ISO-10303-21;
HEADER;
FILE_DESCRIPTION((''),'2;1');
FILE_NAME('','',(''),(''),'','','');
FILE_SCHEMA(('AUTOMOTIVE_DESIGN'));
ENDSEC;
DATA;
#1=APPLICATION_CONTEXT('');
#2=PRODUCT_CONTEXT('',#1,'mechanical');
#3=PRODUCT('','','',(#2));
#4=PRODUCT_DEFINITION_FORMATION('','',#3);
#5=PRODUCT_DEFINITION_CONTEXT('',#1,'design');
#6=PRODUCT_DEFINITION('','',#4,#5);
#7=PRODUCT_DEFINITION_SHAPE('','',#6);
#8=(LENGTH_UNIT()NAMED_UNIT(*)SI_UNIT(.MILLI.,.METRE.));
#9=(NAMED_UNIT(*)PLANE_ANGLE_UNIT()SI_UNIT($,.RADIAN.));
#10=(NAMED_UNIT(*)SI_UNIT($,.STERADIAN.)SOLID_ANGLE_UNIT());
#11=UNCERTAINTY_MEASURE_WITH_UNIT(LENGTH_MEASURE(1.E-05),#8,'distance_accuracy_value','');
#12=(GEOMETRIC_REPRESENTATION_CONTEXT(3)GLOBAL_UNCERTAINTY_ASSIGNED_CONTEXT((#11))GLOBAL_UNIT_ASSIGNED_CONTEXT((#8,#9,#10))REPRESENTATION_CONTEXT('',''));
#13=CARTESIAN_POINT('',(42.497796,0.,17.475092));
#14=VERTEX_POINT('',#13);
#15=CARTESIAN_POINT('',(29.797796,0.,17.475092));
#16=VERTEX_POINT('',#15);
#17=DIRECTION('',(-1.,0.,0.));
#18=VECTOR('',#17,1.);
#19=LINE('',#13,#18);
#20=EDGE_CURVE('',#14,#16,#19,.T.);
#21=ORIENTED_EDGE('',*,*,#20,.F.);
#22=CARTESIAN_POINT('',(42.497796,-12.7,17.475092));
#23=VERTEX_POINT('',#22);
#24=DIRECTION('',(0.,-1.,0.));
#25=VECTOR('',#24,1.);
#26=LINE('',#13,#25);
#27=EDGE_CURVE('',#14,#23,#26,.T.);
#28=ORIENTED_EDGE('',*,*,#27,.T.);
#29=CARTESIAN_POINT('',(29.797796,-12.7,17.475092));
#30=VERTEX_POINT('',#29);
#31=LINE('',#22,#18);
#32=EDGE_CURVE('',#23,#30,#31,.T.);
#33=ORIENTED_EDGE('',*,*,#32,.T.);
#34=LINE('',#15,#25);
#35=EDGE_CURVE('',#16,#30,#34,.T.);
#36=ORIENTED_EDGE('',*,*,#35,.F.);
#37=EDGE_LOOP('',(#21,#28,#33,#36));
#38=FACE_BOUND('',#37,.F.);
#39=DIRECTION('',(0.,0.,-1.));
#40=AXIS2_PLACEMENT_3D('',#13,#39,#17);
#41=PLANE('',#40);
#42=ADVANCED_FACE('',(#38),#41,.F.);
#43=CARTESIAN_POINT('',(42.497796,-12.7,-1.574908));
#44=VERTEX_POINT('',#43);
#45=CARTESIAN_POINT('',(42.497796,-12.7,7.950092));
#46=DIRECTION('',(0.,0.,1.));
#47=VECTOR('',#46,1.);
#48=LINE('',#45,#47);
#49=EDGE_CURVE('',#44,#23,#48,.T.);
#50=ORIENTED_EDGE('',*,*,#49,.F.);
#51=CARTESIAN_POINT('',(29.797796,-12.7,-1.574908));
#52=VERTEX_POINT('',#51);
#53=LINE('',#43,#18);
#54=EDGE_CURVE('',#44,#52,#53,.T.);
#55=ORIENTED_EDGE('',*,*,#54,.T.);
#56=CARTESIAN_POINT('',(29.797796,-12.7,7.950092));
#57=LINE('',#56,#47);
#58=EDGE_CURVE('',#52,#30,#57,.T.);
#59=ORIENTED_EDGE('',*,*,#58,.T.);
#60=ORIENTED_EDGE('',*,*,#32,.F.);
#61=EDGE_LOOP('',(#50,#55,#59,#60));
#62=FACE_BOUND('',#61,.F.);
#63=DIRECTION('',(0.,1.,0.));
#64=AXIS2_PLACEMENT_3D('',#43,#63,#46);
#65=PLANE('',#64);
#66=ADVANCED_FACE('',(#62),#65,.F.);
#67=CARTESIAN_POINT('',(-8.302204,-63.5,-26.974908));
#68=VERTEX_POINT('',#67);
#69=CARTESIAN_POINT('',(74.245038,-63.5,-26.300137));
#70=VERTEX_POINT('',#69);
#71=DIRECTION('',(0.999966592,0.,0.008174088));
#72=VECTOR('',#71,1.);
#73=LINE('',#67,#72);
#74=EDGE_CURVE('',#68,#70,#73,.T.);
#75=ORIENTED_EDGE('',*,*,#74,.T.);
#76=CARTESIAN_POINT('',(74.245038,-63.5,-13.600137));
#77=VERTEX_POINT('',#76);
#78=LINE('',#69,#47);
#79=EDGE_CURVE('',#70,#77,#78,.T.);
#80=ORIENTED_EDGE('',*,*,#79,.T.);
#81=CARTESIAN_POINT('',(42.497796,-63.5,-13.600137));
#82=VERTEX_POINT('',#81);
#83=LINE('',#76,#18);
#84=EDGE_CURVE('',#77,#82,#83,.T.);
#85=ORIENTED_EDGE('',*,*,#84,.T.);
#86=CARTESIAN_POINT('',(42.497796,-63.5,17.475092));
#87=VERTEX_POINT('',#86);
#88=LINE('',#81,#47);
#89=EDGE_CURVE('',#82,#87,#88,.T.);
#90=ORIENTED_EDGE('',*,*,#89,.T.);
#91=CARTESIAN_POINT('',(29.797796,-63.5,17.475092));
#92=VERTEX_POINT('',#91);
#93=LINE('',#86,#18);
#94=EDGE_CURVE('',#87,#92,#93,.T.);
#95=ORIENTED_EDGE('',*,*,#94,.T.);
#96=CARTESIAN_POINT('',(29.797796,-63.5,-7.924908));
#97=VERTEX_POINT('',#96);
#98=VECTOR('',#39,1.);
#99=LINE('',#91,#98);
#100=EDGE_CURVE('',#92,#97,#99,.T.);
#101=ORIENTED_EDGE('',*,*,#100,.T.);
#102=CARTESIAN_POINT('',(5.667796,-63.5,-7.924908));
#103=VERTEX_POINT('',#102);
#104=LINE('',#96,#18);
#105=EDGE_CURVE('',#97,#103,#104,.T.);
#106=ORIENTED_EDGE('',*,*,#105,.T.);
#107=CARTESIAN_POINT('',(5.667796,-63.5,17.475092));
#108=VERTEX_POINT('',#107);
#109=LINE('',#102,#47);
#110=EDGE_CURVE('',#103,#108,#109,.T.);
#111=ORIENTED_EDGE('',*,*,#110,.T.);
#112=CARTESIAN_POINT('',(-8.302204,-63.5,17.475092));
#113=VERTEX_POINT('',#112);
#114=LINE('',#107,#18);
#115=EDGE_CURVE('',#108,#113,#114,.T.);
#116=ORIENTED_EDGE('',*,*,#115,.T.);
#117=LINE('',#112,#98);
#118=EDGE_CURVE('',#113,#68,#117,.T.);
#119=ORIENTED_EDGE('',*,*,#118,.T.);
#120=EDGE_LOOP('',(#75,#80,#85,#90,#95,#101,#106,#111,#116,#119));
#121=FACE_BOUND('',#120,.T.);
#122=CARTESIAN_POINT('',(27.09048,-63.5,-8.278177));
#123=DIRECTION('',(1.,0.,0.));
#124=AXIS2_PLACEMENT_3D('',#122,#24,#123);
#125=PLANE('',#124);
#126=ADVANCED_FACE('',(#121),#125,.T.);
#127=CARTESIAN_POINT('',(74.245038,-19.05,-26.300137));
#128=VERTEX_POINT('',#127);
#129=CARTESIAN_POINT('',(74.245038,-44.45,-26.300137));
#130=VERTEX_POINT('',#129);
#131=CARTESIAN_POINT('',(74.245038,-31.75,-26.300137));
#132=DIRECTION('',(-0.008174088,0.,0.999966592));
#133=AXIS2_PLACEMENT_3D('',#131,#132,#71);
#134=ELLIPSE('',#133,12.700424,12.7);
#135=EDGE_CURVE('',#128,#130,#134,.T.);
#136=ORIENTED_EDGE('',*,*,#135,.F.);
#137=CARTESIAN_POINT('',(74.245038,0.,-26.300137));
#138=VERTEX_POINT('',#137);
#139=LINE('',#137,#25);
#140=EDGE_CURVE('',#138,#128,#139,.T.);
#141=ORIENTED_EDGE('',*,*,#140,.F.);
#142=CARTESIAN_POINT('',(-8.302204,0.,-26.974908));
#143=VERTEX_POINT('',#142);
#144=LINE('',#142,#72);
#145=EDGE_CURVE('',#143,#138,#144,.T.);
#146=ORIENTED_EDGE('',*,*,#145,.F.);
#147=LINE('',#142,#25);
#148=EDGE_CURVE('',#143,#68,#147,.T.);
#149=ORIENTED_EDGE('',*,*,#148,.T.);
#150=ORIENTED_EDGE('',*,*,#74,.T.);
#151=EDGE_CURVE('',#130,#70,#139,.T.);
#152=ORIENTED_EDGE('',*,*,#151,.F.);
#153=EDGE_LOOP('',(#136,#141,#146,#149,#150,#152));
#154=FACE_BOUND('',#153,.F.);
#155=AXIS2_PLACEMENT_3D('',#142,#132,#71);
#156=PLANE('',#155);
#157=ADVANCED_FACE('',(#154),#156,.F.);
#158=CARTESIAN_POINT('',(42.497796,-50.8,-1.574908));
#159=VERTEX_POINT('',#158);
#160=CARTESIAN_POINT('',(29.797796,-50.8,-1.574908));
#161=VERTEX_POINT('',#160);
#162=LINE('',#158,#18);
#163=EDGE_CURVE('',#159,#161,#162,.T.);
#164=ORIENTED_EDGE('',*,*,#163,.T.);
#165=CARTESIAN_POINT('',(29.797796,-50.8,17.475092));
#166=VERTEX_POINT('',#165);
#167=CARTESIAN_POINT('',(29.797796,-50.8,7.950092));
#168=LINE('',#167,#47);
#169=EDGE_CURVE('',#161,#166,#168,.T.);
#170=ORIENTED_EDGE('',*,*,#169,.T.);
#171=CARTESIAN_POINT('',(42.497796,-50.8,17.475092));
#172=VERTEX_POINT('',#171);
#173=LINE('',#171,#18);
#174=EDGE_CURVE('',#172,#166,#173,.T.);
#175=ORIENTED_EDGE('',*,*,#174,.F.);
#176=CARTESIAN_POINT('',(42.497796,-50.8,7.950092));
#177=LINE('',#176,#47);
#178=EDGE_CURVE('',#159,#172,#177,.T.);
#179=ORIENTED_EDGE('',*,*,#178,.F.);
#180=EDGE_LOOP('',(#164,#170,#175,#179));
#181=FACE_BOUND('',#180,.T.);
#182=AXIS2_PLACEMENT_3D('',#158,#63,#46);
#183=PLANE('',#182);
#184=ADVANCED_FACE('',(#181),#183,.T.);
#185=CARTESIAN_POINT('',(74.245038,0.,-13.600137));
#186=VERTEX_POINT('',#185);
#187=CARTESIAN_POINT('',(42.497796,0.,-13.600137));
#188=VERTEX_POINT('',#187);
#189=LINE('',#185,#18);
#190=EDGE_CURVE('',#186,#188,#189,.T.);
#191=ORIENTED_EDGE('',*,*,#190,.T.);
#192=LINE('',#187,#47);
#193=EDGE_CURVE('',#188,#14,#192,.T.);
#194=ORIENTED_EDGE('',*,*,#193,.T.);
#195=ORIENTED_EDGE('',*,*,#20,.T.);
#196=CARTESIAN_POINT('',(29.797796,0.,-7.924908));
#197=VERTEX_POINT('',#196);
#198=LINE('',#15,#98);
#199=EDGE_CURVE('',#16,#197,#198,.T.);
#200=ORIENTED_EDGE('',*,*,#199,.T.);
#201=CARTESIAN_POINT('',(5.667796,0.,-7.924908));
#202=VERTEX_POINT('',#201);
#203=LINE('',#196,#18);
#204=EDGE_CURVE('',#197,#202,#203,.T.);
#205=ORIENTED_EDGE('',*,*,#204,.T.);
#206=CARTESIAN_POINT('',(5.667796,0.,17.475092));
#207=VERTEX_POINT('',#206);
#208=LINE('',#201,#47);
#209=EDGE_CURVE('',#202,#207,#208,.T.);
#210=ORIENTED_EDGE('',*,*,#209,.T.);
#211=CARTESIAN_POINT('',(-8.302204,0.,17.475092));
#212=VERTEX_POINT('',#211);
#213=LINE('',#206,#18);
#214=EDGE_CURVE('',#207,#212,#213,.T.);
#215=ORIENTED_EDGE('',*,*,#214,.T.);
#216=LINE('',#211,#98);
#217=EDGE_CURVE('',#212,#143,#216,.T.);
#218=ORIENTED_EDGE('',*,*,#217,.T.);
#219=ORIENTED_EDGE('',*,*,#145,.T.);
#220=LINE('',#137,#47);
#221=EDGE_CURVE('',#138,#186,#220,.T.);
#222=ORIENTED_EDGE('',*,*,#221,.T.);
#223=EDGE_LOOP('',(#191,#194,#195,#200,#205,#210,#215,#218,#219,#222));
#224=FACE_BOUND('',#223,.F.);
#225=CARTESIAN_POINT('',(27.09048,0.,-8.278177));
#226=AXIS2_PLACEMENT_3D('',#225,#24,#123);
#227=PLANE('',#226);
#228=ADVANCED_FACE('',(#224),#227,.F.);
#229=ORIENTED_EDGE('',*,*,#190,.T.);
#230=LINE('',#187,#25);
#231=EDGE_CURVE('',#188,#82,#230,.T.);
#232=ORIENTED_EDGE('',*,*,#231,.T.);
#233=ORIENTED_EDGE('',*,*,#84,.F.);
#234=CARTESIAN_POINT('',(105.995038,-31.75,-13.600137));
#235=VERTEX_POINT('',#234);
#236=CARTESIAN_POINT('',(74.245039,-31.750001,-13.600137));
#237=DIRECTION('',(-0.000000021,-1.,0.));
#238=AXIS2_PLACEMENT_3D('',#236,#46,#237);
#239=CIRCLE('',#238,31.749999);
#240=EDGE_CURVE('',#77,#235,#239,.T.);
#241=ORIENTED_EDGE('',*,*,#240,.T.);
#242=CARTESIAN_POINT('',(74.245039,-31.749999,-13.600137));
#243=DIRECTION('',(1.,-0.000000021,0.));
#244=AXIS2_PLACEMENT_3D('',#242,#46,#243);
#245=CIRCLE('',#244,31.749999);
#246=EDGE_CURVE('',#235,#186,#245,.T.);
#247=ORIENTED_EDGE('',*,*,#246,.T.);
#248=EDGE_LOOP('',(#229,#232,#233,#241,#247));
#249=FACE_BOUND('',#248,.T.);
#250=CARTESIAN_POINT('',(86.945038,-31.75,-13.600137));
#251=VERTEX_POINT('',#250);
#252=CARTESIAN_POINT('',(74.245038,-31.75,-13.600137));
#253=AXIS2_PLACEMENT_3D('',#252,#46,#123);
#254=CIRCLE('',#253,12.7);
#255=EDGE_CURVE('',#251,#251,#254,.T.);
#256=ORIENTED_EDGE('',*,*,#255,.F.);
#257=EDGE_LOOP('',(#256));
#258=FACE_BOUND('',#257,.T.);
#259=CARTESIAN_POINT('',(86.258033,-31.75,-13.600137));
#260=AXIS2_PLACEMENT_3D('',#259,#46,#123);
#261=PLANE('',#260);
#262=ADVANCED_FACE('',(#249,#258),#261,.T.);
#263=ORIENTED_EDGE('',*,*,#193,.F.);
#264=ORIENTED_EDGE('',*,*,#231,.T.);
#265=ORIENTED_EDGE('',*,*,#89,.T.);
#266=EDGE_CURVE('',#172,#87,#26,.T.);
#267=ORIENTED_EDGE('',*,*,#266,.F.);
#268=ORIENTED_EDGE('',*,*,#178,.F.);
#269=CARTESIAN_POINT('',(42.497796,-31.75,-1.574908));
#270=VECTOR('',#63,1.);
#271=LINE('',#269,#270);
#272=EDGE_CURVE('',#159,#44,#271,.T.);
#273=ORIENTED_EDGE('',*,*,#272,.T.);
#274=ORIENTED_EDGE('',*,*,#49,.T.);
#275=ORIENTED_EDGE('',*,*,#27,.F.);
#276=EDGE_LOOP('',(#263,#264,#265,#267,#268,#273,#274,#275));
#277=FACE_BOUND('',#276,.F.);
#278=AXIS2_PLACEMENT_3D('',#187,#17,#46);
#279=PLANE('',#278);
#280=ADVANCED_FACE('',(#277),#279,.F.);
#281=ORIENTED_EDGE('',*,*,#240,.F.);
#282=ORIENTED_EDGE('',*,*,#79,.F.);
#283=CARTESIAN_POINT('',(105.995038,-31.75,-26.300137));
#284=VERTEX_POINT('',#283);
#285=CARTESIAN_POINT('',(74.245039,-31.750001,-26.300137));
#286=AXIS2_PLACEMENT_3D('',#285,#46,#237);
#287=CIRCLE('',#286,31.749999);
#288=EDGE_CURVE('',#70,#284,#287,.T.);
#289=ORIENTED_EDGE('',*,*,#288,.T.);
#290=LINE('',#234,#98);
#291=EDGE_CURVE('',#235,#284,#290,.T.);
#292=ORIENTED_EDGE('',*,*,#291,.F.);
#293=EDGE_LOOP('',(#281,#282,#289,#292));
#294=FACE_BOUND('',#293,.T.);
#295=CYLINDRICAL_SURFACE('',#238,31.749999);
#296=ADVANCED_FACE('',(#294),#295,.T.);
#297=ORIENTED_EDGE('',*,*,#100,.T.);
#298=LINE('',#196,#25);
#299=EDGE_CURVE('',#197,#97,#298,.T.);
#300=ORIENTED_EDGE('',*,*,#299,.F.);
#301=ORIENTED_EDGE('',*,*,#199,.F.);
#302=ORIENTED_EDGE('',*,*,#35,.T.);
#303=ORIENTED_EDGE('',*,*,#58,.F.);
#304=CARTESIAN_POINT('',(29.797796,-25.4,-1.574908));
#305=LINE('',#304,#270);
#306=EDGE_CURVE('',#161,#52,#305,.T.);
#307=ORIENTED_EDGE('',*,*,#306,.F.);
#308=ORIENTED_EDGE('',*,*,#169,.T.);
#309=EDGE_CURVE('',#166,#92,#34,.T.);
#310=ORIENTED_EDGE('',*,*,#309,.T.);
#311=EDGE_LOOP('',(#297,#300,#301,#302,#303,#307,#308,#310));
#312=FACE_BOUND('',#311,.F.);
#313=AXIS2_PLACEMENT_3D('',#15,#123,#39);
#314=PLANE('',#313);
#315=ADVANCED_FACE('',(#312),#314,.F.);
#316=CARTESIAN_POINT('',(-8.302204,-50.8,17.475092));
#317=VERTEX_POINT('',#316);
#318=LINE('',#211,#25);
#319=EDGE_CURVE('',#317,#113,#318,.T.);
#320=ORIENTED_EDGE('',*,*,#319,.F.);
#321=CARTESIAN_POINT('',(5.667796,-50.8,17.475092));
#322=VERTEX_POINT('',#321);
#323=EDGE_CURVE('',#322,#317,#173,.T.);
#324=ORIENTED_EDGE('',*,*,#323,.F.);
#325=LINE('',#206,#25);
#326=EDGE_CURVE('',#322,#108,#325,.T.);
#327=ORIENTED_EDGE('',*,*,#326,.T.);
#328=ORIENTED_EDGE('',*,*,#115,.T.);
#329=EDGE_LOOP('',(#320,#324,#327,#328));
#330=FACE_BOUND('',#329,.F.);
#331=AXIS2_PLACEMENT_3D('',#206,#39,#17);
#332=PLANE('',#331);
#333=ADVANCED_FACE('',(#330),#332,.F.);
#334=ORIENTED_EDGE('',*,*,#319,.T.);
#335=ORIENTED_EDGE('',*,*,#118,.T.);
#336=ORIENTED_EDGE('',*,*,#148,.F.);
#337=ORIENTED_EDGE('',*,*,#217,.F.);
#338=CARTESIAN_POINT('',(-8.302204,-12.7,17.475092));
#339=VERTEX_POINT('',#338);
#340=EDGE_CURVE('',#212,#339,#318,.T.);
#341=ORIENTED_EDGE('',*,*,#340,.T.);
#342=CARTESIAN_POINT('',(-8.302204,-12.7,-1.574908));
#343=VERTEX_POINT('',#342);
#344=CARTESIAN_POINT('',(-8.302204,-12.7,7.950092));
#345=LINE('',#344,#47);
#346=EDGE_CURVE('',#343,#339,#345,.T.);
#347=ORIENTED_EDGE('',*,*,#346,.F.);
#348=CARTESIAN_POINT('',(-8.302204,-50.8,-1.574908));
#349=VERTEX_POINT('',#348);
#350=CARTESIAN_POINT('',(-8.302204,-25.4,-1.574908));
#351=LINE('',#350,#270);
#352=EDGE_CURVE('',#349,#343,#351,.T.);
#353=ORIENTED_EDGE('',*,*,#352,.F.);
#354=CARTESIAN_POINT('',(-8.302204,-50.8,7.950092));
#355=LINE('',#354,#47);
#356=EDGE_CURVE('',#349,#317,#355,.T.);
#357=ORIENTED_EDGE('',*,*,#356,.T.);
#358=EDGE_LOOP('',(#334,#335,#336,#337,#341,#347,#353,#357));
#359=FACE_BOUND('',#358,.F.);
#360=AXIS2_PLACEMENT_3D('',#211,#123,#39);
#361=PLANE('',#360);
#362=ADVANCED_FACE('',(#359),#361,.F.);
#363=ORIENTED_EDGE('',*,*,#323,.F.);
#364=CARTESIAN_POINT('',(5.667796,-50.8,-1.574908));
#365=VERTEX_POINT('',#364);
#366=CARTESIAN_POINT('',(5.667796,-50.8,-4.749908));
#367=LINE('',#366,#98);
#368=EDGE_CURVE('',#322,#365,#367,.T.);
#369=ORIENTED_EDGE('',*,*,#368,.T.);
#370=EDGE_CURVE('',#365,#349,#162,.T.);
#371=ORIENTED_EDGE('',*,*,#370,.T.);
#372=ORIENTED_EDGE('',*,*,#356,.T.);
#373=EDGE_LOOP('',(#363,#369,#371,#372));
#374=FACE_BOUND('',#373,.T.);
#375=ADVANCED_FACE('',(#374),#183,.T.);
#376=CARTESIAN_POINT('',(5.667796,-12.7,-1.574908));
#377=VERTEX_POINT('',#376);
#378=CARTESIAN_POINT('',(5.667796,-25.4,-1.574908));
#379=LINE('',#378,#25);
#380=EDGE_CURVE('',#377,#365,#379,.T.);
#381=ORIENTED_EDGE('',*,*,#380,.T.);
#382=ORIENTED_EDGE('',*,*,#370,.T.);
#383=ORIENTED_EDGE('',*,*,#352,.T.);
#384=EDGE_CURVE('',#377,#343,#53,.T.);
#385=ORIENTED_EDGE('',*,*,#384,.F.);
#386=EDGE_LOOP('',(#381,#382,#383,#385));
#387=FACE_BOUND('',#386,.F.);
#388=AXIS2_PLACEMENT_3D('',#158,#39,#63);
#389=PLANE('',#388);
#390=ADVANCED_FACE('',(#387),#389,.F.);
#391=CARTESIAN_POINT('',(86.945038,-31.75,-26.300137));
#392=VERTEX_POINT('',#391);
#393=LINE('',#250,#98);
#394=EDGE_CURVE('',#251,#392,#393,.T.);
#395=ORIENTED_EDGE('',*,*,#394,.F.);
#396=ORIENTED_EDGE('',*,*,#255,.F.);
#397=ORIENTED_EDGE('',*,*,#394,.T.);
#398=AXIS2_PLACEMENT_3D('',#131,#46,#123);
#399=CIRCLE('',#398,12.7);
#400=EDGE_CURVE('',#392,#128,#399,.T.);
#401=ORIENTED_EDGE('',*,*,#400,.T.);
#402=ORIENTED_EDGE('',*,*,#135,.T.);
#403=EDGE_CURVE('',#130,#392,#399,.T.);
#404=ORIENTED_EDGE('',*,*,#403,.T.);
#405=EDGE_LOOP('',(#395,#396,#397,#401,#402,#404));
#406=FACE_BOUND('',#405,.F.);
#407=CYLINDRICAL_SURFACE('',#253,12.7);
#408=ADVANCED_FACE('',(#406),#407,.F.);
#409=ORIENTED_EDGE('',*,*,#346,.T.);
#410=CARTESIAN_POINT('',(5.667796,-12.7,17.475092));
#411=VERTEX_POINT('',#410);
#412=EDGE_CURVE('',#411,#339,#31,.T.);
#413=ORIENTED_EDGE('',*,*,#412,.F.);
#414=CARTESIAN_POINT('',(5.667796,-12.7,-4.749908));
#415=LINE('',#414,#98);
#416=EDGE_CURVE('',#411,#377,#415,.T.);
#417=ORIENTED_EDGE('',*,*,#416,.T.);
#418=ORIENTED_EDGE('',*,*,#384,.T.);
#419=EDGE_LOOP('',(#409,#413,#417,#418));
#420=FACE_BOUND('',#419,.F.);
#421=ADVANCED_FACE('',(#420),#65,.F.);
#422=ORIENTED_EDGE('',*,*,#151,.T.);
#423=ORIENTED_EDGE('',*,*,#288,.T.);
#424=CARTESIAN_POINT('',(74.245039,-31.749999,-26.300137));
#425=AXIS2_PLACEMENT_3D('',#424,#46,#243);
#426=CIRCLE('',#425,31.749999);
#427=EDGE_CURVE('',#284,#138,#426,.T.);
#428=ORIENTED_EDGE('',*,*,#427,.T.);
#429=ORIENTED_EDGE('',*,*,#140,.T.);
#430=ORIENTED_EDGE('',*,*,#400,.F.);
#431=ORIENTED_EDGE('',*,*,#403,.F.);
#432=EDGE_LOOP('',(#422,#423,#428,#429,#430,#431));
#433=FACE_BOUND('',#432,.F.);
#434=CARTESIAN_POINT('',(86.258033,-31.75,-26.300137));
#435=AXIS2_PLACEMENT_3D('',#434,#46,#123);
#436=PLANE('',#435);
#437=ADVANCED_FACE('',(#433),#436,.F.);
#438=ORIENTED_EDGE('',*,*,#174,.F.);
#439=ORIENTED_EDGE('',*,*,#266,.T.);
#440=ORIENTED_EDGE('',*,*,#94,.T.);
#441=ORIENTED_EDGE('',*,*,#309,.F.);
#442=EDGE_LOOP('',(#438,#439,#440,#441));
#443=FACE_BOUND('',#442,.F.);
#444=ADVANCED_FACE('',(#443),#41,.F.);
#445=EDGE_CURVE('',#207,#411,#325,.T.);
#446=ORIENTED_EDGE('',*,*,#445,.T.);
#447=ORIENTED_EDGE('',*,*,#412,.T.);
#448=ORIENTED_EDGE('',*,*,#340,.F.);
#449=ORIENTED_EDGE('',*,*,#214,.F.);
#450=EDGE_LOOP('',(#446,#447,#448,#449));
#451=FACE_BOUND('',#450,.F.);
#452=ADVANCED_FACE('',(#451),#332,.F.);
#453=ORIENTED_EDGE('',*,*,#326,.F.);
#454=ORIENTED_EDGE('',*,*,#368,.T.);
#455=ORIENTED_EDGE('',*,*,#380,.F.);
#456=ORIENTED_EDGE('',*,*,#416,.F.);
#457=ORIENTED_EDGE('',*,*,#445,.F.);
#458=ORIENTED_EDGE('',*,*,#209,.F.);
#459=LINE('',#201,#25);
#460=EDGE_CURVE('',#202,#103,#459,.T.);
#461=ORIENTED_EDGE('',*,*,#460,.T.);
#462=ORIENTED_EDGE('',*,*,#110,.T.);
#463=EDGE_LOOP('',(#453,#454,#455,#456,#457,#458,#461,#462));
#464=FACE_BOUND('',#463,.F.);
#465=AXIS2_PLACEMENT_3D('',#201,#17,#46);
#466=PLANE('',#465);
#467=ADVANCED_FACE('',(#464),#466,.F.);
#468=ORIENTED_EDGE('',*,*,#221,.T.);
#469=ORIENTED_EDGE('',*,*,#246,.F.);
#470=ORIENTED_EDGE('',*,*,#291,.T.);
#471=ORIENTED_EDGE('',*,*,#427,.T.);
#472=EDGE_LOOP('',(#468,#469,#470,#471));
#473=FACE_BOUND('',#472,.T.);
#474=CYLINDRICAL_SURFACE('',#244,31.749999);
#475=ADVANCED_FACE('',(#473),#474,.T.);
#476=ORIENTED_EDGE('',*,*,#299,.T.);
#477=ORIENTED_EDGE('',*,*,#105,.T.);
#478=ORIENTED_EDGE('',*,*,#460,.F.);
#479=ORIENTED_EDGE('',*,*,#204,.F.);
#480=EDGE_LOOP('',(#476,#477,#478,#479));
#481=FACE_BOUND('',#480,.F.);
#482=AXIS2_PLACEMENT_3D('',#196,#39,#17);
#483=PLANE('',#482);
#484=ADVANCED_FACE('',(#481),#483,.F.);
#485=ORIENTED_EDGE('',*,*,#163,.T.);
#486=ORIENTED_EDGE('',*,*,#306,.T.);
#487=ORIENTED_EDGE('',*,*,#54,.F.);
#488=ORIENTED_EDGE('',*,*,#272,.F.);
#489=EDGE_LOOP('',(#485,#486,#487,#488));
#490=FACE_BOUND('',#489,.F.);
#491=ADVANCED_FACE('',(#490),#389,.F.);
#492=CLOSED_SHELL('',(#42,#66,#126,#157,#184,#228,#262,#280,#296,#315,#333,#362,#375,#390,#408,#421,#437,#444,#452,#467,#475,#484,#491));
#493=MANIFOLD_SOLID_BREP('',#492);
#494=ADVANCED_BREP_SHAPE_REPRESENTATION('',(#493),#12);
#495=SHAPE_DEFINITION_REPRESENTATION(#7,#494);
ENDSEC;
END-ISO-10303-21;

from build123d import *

# Parameters (mm, degrees)
F1_DEPTH = 63.5
F3_DEPTH = 12.7
F4_R     = 12.7
F6_DEPTH = 25.4
F5_W     = 38.1
F5_H     = 19.05
F7_DEPTH = 50.801


with BuildPart() as f1:
    # F0 (on Front) → F1 (new body)
    with BuildSketch(Plane.XZ):
        Polygon((5.667796, 17.475092), (-8.302204, 17.475092), (-8.302204, -26.974908), (74.245038, -26.300137), (74.245038, -13.600137), (42.497796, -13.600137), (42.497796, 17.475092), (29.797796, 17.475092), (29.797796, -7.924908), (5.667796, -7.924908), align=None)
    extrude(amount=F1_DEPTH)

    # F2 (on face) → F3 (join)
    with BuildSketch(Plane.XY.offset(-13.600137)):
        with BuildLine():
            ThreePointArc((74.245038, -63.5), (96.695679, -54.20064), (105.995038, -31.75))
            ThreePointArc((105.995038, -31.75), (96.695679, -9.29936), (74.245038, 0))
            Line((74.245038, 0), (74.245038, -63.5))
        make_face()
    extrude(amount=-F3_DEPTH)

    # F4 (on face) → F6 (cut)
    with BuildSketch(Plane.XY.offset(-13.600137)):
        with Locations((74.245038, -31.75)):
            Circle(F4_R)
    extrude(amount=-F6_DEPTH, mode=Mode.SUBTRACT)

    # F5 (on face) → F7 (cut, through all)
    with BuildSketch(Plane.YZ.offset(42.497796)):
        with Locations((-31.75, 7.950092)):
            Rectangle(F5_W, F5_H)
    extrude(amount=-F7_DEPTH, mode=Mode.SUBTRACT)


solid = f1.part
